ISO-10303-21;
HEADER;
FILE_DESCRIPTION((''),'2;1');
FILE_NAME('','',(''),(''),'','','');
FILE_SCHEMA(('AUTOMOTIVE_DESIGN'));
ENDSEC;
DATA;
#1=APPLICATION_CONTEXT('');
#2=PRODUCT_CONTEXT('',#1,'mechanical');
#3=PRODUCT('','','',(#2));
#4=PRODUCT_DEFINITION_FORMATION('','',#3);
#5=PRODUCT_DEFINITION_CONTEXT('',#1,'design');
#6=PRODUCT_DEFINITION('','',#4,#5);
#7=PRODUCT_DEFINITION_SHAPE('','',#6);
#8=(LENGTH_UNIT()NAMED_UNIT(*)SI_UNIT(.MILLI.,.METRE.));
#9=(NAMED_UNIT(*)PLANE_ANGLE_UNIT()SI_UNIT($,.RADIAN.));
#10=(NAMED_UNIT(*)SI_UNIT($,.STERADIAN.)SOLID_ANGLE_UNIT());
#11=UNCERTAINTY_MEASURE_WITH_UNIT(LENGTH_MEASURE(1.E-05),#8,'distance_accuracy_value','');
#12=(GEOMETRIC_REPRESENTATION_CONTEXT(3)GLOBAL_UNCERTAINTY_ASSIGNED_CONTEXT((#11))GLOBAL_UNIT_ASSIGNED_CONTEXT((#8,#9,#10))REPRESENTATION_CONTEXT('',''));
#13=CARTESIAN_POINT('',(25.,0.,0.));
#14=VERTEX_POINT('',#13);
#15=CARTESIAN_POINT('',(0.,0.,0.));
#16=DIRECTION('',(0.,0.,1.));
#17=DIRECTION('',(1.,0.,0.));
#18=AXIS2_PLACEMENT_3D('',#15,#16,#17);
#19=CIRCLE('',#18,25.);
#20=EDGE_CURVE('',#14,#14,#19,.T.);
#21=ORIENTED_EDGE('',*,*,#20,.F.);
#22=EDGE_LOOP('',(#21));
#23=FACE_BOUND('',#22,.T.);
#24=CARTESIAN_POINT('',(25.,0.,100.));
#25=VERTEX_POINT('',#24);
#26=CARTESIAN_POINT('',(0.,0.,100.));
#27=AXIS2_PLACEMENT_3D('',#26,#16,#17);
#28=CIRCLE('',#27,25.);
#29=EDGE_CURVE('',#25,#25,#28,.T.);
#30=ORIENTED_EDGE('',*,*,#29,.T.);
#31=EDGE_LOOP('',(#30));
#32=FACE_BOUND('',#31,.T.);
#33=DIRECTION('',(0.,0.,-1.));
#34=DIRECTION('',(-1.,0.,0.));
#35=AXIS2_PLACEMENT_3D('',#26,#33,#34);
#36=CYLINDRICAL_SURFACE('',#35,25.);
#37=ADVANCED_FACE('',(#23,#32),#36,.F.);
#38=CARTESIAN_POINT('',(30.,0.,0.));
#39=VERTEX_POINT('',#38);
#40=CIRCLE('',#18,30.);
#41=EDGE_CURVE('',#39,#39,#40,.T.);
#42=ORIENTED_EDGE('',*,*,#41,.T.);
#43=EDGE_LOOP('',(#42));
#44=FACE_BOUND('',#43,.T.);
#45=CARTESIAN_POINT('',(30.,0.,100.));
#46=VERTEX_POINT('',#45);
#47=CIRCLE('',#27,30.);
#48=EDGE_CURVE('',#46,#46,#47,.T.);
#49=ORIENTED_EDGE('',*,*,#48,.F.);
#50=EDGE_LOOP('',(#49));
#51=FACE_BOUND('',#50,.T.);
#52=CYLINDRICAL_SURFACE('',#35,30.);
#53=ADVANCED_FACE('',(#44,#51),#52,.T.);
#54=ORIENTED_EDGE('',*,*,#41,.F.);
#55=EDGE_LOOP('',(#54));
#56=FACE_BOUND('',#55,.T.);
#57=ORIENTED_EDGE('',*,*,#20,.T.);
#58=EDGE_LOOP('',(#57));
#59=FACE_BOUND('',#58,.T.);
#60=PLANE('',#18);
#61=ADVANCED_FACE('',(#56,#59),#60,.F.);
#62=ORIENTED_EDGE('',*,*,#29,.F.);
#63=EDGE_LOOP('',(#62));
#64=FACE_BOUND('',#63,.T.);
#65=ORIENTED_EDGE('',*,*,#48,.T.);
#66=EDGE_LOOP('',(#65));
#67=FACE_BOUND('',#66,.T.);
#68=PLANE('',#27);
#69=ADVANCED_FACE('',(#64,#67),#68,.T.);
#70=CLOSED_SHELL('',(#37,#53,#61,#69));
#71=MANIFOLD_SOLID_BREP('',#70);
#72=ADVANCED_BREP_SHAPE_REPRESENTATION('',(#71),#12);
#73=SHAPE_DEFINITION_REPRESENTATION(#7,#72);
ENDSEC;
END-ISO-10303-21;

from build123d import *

# Parameters (mm, degrees)
SKETCH1_R           = 30
SKETCH1_R_2         = 25
BOSS_EXTRUDE1_DEPTH = 100


with BuildPart() as part:
    # Sketch1 → Boss-Extrude1 (new body)
    with BuildSketch(Plane.XY):
        Circle(SKETCH1_R)
        Circle(SKETCH1_R_2, mode=Mode.SUBTRACT)
    extrude(amount=BOSS_EXTRUDE1_DEPTH)


solid = part.part
